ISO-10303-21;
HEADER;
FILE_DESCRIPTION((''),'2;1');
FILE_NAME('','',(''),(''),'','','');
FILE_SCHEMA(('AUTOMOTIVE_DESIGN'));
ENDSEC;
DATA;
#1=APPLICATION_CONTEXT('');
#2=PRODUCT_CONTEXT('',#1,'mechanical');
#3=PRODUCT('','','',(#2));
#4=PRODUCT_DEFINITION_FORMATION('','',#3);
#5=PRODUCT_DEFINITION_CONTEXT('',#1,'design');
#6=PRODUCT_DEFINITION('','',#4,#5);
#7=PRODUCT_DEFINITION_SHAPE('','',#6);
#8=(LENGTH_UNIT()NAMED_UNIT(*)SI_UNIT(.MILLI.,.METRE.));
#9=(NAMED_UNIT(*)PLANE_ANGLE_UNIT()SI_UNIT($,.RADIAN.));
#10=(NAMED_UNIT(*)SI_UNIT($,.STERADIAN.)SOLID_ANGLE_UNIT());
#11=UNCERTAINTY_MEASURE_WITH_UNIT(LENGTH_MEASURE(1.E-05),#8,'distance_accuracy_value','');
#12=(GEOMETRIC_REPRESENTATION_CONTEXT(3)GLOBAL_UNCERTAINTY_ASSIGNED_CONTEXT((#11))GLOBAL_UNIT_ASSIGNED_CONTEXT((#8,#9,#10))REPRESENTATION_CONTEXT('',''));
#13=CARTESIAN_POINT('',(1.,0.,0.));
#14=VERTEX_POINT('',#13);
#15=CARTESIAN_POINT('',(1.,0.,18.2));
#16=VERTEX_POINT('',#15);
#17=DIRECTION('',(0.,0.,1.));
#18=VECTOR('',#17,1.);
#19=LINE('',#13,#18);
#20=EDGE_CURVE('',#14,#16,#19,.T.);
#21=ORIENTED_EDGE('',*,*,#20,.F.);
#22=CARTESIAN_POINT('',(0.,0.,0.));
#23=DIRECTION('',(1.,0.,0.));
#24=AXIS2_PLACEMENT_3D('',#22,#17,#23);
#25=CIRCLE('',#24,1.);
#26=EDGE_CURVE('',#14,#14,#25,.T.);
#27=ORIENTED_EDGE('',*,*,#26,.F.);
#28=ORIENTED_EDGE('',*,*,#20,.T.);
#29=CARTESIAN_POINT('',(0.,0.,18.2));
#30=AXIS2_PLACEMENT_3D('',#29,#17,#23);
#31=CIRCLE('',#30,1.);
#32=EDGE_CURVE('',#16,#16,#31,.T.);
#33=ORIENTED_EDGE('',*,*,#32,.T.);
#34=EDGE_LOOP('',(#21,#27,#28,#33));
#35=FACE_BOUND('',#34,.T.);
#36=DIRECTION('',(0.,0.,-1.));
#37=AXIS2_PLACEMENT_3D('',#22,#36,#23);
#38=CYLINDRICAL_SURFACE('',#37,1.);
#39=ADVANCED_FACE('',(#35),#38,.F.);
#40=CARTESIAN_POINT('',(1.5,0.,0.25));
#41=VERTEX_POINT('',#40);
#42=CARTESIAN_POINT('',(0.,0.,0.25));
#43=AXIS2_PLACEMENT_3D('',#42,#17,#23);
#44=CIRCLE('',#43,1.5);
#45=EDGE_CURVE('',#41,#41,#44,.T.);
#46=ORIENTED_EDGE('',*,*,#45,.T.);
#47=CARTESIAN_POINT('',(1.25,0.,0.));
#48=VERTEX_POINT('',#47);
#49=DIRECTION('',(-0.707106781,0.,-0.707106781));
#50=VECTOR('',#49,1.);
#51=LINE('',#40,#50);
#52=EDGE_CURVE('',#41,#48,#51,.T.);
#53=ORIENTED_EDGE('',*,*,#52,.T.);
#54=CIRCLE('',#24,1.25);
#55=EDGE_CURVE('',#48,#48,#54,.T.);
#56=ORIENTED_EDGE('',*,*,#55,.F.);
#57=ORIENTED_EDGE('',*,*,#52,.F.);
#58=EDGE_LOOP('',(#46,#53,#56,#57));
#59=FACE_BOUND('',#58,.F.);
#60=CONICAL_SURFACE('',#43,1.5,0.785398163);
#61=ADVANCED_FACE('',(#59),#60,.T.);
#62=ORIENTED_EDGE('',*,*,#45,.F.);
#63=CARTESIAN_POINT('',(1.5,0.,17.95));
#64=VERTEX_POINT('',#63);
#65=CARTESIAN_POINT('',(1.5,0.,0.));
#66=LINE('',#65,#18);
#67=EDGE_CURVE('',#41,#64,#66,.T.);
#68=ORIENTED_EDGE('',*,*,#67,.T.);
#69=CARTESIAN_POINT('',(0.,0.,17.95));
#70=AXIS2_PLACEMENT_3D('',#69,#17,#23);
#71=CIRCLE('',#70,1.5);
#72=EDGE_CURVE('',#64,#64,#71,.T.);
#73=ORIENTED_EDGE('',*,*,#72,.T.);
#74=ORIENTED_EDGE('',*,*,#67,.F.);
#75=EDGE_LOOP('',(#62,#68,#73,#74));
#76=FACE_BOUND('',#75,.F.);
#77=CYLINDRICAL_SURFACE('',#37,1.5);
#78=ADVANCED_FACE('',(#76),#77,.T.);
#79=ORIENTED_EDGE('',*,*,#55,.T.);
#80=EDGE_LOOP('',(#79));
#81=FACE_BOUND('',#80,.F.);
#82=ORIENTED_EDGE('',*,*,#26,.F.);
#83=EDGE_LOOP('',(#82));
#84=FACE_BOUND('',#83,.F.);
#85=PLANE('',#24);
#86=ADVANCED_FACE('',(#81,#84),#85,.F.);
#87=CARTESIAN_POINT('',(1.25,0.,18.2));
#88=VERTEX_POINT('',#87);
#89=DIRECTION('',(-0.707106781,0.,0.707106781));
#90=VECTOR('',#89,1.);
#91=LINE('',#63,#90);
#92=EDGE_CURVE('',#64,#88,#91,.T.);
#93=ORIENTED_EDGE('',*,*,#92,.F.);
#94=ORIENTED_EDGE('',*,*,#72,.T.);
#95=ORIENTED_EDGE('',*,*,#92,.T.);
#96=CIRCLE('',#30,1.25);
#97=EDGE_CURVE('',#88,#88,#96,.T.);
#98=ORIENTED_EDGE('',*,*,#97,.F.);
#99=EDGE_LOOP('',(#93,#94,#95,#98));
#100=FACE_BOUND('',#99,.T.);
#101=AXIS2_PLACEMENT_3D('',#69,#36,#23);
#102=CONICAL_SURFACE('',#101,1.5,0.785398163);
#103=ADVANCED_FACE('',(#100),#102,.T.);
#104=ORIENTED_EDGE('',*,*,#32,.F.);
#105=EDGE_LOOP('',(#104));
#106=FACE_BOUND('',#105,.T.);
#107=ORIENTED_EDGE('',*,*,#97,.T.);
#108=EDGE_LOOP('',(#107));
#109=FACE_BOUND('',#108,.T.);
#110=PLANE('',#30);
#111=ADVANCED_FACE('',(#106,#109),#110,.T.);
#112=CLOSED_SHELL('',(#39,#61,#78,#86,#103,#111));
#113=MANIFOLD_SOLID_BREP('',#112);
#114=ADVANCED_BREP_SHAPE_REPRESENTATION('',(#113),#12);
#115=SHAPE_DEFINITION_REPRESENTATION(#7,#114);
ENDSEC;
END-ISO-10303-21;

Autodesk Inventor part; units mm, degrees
ref_plane "YZ Plane" through (0, 0, 0) normal (1, 0, 0) x (0, 1, 0)
ref_plane "XZ Plane" through (0, 0, 0) normal (0, 1, 0) x (-1, 0, 0)
ref_plane "XY Plane" through (0, 0, 0) normal (0, 0, 1) x (1, 0, 0)
sketch "Sketch1" plane through (0, 0, 0) normal (0, 0, 1) x (1, 0, 0)
  circle A0 centre (0, 0) radius 1.5
  circle A1 centre (0, 0) radius 1
  dimension "d0" = 3
  dimension "d6" = 2
extrude "Extrusion1" add sketch "Sketch1" along normal blind 18.2
chamfer "Chamfer1" distance 0.25 angle 45 2 edges at (-1.5, 0, 18.2) (-1.5, 0, 0)
properties part number "MotorBeltTensionerAxis"
